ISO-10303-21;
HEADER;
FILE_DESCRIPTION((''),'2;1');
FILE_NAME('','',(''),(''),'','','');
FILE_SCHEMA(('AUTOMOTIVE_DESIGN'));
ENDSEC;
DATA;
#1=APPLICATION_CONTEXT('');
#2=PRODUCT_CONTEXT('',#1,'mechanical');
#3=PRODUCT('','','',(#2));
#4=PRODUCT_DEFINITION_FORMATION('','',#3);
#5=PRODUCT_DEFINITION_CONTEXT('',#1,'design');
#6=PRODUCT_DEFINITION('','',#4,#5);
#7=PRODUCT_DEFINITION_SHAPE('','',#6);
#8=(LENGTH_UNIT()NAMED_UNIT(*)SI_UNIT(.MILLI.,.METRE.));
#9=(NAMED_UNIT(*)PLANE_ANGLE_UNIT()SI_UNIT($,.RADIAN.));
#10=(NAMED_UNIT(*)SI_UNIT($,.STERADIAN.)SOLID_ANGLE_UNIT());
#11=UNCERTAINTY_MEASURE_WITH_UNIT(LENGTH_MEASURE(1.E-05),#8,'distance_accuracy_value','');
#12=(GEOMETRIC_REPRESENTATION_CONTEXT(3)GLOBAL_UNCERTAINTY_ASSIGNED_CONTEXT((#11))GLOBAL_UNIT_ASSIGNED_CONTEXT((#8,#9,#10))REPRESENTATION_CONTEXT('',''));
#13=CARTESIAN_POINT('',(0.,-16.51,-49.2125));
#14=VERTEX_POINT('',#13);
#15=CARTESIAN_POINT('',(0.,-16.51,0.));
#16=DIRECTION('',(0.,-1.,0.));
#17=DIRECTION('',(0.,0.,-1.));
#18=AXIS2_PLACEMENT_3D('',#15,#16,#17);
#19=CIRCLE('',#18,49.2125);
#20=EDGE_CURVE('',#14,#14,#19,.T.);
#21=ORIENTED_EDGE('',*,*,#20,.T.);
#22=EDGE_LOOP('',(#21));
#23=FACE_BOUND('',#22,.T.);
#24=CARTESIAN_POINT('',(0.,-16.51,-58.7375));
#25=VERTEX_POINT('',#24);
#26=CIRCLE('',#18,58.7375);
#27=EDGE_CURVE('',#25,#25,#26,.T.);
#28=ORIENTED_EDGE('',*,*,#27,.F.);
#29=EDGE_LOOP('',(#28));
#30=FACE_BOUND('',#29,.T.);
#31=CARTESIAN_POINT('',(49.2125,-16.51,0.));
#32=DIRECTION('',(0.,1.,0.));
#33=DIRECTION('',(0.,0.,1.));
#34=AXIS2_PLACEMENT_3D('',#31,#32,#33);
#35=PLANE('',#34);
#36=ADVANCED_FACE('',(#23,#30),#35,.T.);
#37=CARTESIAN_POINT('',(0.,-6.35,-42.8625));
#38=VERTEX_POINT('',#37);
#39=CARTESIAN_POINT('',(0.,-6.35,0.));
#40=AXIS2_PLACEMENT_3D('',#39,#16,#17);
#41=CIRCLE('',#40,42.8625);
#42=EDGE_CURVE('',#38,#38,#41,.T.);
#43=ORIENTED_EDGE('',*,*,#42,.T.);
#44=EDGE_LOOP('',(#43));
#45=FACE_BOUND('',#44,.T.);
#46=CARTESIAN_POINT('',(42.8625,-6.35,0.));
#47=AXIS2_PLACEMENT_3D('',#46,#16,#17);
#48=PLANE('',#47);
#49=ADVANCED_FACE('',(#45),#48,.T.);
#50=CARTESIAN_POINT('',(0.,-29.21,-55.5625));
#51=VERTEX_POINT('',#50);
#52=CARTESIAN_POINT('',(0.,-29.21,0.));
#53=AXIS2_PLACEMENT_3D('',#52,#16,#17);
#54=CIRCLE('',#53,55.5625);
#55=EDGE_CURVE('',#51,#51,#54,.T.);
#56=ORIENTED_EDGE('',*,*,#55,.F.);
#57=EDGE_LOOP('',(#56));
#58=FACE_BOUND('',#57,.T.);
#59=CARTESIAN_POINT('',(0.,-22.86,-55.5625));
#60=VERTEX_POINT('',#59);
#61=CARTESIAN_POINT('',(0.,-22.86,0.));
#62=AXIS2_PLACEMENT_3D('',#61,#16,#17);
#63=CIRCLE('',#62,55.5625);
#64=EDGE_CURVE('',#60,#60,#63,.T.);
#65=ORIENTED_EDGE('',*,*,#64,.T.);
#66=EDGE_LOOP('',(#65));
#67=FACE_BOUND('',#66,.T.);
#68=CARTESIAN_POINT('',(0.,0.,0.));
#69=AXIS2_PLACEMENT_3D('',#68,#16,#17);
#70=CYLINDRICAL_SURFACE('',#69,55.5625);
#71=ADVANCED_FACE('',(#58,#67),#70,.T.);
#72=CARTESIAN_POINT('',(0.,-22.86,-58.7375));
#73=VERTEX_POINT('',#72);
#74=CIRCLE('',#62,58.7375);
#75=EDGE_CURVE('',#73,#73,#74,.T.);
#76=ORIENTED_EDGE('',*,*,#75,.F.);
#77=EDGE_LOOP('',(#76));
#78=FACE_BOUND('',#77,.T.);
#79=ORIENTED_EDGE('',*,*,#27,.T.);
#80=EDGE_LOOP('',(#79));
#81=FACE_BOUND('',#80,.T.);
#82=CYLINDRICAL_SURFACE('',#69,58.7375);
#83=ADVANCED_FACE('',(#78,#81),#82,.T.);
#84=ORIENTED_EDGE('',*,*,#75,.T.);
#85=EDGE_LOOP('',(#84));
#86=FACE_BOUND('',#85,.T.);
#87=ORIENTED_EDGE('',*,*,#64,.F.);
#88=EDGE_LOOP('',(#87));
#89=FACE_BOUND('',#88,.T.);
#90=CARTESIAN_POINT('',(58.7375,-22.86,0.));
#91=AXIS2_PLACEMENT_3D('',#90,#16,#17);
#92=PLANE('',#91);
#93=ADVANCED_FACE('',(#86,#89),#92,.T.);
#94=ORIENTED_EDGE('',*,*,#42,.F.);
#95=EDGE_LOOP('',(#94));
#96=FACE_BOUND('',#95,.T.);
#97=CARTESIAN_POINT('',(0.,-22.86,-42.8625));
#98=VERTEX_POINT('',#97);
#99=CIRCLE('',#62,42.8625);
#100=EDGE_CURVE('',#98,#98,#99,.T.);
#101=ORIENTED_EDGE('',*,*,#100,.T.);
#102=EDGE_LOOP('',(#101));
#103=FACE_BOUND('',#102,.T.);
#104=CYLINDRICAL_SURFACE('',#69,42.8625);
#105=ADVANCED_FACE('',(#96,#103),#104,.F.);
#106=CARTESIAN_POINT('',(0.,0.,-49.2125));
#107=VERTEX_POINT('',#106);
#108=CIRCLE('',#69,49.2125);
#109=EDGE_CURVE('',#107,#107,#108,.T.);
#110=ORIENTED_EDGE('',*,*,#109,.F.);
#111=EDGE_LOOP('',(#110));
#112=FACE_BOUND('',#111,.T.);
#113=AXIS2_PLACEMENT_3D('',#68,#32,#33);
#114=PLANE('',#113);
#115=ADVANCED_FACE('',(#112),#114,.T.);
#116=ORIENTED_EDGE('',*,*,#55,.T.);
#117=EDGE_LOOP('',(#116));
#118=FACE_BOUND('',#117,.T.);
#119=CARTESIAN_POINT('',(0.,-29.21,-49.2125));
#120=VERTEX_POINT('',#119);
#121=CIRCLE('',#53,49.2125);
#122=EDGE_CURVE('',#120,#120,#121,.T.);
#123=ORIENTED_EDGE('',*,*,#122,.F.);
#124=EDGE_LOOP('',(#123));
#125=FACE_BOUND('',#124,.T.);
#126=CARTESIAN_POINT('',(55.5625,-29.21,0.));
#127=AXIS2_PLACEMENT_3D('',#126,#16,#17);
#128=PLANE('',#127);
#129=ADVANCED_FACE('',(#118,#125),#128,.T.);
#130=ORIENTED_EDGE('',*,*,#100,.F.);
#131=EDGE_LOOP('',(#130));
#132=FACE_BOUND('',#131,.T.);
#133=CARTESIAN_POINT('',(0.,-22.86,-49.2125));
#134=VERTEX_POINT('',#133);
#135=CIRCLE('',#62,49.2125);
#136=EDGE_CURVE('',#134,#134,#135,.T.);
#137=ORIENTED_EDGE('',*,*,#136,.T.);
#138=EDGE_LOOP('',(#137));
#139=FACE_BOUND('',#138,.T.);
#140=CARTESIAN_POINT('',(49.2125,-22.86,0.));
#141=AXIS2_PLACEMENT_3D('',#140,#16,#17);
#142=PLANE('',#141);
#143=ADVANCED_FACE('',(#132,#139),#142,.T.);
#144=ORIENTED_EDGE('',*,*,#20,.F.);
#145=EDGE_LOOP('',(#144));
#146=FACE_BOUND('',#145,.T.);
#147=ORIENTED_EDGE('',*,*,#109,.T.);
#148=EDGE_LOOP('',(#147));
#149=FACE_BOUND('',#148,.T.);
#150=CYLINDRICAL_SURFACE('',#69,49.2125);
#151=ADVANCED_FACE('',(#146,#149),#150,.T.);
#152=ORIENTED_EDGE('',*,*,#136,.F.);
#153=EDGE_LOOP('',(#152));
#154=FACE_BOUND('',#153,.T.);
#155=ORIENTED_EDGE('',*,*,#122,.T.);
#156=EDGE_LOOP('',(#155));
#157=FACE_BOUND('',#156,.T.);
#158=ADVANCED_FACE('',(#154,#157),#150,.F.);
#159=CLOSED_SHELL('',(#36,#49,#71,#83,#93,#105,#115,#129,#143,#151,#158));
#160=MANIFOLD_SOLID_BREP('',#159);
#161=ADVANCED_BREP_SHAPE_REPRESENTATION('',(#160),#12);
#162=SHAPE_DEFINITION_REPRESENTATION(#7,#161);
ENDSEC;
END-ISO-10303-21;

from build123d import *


with BuildPart() as part:
    # Sketch2 → Revolve1 (revolve)
    with BuildSketch(Plane.XY):
        Polygon((0, 0), (49.2125, 0), (49.2125, -16.51), (58.7375, -16.51), (58.7375, -22.86), (55.5625, -22.86), (55.5625, -29.21), (49.2125, -29.21), (49.2125, -22.86), (42.8625, -22.86), (42.8625, -6.35), (0, -6.35), align=None)
    revolve(axis=Axis((0, 0, 0), (0, 1, 0)))


solid = part.part
